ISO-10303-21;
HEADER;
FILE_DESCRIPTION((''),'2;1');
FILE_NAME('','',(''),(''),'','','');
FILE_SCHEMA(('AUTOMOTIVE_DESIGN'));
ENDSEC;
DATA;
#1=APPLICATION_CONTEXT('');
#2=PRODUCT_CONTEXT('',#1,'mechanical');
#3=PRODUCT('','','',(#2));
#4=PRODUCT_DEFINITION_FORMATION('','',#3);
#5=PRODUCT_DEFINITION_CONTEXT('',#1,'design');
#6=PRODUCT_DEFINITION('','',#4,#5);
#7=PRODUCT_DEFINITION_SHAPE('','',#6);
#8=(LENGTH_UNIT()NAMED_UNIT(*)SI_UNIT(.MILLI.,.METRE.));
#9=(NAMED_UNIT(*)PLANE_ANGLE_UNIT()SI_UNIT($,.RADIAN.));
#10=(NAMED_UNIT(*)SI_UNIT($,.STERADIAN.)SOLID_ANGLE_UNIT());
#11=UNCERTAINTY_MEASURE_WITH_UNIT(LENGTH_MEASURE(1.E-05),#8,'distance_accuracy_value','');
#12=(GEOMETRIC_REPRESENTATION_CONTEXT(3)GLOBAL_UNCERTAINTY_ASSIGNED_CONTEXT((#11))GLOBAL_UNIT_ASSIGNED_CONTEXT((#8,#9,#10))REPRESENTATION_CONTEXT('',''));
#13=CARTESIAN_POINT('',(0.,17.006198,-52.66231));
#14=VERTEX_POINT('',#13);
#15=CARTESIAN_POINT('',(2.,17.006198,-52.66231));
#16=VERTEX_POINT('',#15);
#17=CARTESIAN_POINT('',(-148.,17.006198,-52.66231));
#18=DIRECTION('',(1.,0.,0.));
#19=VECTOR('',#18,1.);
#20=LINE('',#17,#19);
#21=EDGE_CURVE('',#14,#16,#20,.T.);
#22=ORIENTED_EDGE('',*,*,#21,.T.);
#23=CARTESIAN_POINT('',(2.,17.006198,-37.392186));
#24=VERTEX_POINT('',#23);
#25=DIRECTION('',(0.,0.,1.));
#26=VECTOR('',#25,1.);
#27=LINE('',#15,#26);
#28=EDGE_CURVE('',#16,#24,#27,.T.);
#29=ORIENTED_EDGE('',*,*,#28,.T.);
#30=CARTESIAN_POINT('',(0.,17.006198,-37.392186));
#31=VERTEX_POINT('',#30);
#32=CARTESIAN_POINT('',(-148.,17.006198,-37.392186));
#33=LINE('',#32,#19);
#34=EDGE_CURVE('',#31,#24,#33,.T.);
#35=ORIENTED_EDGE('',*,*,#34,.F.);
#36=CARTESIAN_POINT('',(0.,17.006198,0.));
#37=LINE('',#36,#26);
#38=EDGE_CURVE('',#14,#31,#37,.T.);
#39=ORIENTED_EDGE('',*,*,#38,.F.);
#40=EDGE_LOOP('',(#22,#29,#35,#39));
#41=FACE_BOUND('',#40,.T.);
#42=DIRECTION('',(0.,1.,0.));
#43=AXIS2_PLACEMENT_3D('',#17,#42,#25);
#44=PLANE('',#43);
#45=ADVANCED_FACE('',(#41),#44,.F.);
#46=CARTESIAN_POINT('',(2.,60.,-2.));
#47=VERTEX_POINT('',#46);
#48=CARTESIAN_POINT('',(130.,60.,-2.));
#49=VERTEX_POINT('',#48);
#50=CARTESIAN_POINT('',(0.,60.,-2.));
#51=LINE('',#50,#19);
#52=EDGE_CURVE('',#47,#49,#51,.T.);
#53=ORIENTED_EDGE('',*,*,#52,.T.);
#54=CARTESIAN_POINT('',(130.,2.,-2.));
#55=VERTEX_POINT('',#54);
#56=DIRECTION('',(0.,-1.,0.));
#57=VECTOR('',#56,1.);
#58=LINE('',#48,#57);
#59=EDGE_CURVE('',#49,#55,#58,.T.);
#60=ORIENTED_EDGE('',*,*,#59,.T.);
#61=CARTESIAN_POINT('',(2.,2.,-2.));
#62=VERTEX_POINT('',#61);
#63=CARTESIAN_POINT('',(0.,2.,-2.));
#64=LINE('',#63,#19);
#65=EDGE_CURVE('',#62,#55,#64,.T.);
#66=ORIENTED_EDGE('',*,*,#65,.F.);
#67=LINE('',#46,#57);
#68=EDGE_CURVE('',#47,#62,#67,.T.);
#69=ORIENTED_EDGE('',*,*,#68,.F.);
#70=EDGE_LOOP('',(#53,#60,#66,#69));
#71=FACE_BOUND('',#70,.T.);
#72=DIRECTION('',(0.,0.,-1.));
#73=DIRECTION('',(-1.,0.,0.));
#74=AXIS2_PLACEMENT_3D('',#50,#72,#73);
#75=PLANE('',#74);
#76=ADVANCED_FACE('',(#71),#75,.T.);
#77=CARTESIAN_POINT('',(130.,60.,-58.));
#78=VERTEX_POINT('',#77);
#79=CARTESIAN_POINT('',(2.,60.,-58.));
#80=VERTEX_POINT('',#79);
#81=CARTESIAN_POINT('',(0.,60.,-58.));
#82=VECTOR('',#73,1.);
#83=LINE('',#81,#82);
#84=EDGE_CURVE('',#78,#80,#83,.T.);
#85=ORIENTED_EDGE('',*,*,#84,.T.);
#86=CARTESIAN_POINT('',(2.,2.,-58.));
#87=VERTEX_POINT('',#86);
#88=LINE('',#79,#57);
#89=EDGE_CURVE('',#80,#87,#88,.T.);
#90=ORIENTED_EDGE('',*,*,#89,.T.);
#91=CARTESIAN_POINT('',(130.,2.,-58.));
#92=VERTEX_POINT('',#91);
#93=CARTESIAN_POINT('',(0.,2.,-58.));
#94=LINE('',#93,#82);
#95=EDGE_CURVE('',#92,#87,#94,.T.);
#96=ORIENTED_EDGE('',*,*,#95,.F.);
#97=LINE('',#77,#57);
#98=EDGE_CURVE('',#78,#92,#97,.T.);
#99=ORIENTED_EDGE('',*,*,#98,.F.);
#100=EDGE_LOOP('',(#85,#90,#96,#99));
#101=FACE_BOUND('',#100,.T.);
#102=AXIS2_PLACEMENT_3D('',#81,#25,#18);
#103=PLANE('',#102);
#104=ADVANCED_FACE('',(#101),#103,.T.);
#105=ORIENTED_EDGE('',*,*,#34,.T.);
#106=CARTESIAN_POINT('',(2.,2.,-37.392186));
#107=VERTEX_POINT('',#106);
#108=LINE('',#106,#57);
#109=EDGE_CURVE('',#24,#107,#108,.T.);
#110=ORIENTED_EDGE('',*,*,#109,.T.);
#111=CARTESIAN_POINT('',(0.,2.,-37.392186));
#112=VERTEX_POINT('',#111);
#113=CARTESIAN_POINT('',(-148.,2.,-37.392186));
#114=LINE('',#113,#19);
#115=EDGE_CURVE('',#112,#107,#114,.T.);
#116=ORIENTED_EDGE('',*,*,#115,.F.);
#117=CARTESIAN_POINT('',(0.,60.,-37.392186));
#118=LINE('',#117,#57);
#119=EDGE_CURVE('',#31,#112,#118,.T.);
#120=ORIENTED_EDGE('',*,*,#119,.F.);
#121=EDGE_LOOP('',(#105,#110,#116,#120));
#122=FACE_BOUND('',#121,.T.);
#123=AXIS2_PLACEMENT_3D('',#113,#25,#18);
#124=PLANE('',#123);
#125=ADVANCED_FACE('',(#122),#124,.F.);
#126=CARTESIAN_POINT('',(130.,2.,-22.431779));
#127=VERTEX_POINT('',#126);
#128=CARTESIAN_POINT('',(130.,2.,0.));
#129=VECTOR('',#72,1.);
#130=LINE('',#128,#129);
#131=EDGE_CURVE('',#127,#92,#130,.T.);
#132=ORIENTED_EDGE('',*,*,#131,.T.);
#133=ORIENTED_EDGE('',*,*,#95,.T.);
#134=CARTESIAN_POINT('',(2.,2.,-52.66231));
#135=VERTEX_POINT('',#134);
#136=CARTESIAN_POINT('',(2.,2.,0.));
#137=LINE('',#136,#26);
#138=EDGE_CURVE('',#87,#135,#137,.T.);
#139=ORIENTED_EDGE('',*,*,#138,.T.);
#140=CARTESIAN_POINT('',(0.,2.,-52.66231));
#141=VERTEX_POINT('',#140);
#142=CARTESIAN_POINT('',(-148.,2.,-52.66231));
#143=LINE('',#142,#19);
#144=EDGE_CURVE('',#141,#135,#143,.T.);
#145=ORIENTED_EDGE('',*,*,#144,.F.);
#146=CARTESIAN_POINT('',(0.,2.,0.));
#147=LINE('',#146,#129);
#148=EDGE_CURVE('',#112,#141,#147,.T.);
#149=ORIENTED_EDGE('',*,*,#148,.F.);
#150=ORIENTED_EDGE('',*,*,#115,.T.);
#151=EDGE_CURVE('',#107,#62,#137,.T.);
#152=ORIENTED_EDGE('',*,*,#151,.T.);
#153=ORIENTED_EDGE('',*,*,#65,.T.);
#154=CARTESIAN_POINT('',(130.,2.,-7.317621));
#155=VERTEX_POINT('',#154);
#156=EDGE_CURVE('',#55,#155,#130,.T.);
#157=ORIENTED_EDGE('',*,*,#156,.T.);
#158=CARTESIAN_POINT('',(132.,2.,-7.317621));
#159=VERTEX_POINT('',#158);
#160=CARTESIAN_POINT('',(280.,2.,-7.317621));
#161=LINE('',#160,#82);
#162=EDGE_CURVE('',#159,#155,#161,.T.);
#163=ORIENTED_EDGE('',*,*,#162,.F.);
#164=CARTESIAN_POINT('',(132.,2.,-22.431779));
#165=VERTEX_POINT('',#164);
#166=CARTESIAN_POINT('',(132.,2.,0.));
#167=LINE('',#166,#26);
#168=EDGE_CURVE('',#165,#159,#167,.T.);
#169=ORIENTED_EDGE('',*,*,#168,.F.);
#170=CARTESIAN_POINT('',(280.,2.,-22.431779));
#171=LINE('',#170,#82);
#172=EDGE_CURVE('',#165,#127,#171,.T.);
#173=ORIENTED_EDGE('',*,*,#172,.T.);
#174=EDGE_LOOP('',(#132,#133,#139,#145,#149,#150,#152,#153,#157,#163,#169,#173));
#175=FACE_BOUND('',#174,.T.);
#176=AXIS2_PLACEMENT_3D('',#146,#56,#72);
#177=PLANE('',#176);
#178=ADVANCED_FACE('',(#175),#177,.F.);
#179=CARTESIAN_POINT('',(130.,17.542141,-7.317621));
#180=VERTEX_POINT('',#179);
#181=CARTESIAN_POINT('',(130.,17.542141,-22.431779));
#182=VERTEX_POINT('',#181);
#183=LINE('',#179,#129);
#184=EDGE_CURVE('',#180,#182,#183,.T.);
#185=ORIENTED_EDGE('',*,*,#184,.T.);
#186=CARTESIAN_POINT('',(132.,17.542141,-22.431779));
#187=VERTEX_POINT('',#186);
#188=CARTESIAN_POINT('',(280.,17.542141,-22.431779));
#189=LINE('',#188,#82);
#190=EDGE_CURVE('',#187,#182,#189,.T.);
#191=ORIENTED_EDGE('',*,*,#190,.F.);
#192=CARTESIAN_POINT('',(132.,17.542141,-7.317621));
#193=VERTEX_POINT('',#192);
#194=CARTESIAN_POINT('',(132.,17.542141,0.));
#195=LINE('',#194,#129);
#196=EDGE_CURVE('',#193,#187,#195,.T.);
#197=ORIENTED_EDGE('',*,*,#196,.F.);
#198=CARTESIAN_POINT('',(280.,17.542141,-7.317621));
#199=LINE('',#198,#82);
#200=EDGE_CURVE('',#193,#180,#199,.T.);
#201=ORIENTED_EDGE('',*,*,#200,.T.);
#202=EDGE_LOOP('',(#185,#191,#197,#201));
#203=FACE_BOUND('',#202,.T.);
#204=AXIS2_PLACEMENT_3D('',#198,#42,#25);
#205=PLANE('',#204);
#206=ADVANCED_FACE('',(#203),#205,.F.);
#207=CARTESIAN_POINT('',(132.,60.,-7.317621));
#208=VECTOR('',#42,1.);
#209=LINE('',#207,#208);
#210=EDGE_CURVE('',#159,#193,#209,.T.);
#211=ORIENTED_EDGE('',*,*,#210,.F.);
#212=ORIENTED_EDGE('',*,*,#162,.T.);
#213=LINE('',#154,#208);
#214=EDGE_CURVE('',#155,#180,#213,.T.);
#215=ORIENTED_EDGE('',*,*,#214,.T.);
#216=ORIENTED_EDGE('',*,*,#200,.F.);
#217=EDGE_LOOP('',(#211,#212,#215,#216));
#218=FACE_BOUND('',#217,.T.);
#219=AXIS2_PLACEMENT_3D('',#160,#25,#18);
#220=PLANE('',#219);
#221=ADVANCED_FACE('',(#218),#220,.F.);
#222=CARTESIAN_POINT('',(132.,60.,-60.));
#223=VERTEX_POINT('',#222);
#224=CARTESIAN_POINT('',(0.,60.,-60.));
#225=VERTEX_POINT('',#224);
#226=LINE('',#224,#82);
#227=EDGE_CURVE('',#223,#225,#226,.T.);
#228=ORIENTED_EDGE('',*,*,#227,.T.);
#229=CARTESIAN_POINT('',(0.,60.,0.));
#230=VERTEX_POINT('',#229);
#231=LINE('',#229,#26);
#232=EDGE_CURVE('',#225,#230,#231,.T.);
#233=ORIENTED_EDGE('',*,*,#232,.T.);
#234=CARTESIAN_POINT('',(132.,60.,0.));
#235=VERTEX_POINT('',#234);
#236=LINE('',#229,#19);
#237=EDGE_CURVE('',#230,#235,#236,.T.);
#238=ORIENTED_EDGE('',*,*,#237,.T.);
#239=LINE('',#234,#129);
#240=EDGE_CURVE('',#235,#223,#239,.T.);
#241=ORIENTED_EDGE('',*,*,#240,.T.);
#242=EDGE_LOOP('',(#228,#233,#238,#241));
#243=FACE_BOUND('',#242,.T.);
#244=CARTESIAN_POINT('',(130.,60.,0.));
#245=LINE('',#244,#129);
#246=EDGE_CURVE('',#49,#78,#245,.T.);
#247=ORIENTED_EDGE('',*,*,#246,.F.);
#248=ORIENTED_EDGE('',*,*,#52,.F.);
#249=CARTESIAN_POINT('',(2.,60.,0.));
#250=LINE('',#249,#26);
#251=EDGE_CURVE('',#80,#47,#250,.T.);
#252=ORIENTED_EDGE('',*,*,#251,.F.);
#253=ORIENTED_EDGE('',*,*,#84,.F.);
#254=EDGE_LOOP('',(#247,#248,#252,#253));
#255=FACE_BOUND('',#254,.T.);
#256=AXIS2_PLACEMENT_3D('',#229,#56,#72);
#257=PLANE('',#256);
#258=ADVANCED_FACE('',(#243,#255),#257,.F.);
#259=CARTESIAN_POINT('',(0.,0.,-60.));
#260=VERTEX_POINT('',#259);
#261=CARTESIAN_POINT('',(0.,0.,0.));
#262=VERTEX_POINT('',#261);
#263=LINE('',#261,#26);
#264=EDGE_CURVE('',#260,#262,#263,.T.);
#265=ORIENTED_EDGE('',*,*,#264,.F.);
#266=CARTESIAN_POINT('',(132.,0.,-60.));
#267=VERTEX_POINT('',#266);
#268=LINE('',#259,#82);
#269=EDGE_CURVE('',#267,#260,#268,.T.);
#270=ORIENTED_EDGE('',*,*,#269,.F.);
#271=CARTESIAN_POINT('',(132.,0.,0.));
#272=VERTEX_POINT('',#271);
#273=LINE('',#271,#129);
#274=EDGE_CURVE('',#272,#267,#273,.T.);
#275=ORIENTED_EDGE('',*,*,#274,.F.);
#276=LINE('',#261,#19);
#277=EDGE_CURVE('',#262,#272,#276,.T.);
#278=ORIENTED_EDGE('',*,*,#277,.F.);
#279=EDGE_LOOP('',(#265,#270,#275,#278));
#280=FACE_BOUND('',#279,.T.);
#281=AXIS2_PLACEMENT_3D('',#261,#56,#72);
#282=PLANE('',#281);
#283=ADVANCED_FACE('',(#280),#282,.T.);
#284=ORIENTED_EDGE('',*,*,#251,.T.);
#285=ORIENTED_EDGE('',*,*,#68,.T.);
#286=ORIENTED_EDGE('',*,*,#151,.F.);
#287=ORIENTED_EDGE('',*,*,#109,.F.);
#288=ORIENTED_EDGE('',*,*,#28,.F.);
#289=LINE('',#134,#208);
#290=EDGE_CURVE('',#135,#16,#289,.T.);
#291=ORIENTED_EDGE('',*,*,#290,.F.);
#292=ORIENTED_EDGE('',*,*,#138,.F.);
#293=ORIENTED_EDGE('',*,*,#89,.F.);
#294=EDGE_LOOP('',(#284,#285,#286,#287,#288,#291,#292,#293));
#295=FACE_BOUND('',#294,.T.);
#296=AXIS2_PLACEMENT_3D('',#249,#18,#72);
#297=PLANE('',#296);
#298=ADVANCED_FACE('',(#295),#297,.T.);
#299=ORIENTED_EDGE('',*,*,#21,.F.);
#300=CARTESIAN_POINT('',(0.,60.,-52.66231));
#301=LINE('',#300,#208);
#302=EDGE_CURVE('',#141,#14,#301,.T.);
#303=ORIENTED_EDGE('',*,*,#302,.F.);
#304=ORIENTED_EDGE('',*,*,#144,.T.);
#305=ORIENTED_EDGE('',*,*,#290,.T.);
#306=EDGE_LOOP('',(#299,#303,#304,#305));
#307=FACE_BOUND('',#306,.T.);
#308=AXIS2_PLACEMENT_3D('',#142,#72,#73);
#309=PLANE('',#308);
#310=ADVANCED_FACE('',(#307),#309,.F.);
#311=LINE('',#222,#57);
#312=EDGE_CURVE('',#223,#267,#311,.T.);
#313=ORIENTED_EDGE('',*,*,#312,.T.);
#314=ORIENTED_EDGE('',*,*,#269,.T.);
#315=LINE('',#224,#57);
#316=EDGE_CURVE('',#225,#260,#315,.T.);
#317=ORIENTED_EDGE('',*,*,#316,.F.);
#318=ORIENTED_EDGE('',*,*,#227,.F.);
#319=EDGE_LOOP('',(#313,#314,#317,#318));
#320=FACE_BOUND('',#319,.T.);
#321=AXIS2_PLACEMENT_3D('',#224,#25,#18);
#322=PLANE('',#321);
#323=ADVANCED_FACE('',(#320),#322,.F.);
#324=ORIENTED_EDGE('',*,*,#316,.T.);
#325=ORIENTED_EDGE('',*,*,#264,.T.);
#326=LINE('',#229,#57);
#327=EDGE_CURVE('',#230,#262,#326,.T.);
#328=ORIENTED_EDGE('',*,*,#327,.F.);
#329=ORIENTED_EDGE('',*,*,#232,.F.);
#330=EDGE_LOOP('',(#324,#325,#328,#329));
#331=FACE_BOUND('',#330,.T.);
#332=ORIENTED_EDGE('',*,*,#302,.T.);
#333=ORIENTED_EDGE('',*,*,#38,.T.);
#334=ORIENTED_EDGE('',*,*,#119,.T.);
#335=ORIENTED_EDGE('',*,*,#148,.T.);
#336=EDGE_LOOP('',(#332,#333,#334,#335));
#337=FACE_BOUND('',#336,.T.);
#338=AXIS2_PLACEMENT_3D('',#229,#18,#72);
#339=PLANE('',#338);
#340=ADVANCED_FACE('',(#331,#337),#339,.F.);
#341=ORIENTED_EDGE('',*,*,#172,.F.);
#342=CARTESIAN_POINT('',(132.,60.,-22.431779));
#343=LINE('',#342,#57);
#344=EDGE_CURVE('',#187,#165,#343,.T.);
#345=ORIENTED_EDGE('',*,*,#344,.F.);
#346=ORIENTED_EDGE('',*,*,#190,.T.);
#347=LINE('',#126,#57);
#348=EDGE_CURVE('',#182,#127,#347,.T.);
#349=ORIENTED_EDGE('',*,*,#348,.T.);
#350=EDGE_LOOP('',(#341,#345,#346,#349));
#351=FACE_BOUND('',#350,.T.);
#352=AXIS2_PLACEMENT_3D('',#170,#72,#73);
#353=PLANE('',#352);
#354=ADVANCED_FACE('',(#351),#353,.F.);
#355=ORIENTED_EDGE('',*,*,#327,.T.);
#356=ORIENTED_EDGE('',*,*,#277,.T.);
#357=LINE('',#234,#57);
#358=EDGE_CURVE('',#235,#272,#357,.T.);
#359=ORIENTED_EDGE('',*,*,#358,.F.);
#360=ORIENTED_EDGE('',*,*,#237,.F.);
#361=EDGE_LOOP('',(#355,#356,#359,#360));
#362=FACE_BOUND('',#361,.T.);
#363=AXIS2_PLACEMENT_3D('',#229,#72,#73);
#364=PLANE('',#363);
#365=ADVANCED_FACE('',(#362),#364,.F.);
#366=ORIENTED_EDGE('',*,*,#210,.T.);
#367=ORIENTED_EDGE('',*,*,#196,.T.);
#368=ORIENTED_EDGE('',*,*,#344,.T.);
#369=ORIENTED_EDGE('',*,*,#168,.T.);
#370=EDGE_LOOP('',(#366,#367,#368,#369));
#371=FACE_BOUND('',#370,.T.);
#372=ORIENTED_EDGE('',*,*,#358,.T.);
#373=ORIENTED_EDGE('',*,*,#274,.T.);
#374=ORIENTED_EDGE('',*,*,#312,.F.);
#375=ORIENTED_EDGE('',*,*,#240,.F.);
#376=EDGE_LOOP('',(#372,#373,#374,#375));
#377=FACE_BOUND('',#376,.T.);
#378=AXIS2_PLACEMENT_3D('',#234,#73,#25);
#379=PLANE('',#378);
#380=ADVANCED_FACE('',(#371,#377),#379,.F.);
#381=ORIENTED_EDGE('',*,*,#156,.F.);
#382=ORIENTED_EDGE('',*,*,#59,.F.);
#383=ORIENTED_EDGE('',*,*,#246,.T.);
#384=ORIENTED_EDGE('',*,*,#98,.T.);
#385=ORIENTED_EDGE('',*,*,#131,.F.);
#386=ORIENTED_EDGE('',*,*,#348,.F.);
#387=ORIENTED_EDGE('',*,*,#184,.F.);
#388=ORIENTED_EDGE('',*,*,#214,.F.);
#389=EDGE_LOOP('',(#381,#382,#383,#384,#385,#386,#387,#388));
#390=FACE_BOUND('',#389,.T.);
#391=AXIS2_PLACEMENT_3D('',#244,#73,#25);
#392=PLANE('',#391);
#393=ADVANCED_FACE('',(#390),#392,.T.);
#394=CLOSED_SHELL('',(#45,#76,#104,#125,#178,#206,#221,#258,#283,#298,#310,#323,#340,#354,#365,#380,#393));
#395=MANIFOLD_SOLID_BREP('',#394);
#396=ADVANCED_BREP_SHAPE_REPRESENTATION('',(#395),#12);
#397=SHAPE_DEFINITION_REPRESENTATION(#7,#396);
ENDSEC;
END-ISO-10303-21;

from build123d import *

# Parameters (mm, degrees)
ESQUISSE1_W             = 132
ESQUISSE1_H             = 60
BOSS_EXTRU_1_DEPTH      = 60
COQUE1_T                = -2
ESQUISSE2_W             = 15.270123606
ESQUISSE2_H             = 15.006197758
ENL_V_MAT_EXTRU_3_DEPTH = 150
ESQUISSE3_W             = 15.1141578
ESQUISSE3_H             = 15.542141472
ENL_V_MAT_EXTRU_4_DEPTH = 150


with BuildPart() as part:
    # Esquisse1 → Boss.-Extru.1 (new body)
    with BuildSketch(Plane(origin=(0, 0, 0), x_dir=(1, 0, 0), z_dir=(0, 1, 0))):
        with Locations((66, 30)):
            Rectangle(ESQUISSE1_W, ESQUISSE1_H)
    extrude(amount=BOSS_EXTRU_1_DEPTH)

    # Coque1
    coque1_openings = [part.faces().sort_by_distance(p)[0] for p in [
        (66, 60, -30),
    ]]
    offset(amount=COQUE1_T, openings=coque1_openings, kind=Kind.INTERSECTION)

    # Esquisse2 → Enlèv. mat.-Extru.3 (cut)
    with BuildSketch(Plane(origin=(2, 0, 0), x_dir=(0, 0, -1), z_dir=(1, 0, 0))):
        with Locations((45.027247918, 9.503098879)):
            Rectangle(ESQUISSE2_W, ESQUISSE2_H)
    extrude(amount=-ENL_V_MAT_EXTRU_3_DEPTH, mode=Mode.SUBTRACT)

    # Esquisse3 → Enlèv. mat.-Extru.4 (cut)
    with BuildSketch(Plane.ZY.offset(-130)):
        with Locations((-14.874699742, 9.771070736)):
            Rectangle(ESQUISSE3_W, ESQUISSE3_H)
    extrude(amount=-ENL_V_MAT_EXTRU_4_DEPTH, mode=Mode.SUBTRACT)


solid = part.part
